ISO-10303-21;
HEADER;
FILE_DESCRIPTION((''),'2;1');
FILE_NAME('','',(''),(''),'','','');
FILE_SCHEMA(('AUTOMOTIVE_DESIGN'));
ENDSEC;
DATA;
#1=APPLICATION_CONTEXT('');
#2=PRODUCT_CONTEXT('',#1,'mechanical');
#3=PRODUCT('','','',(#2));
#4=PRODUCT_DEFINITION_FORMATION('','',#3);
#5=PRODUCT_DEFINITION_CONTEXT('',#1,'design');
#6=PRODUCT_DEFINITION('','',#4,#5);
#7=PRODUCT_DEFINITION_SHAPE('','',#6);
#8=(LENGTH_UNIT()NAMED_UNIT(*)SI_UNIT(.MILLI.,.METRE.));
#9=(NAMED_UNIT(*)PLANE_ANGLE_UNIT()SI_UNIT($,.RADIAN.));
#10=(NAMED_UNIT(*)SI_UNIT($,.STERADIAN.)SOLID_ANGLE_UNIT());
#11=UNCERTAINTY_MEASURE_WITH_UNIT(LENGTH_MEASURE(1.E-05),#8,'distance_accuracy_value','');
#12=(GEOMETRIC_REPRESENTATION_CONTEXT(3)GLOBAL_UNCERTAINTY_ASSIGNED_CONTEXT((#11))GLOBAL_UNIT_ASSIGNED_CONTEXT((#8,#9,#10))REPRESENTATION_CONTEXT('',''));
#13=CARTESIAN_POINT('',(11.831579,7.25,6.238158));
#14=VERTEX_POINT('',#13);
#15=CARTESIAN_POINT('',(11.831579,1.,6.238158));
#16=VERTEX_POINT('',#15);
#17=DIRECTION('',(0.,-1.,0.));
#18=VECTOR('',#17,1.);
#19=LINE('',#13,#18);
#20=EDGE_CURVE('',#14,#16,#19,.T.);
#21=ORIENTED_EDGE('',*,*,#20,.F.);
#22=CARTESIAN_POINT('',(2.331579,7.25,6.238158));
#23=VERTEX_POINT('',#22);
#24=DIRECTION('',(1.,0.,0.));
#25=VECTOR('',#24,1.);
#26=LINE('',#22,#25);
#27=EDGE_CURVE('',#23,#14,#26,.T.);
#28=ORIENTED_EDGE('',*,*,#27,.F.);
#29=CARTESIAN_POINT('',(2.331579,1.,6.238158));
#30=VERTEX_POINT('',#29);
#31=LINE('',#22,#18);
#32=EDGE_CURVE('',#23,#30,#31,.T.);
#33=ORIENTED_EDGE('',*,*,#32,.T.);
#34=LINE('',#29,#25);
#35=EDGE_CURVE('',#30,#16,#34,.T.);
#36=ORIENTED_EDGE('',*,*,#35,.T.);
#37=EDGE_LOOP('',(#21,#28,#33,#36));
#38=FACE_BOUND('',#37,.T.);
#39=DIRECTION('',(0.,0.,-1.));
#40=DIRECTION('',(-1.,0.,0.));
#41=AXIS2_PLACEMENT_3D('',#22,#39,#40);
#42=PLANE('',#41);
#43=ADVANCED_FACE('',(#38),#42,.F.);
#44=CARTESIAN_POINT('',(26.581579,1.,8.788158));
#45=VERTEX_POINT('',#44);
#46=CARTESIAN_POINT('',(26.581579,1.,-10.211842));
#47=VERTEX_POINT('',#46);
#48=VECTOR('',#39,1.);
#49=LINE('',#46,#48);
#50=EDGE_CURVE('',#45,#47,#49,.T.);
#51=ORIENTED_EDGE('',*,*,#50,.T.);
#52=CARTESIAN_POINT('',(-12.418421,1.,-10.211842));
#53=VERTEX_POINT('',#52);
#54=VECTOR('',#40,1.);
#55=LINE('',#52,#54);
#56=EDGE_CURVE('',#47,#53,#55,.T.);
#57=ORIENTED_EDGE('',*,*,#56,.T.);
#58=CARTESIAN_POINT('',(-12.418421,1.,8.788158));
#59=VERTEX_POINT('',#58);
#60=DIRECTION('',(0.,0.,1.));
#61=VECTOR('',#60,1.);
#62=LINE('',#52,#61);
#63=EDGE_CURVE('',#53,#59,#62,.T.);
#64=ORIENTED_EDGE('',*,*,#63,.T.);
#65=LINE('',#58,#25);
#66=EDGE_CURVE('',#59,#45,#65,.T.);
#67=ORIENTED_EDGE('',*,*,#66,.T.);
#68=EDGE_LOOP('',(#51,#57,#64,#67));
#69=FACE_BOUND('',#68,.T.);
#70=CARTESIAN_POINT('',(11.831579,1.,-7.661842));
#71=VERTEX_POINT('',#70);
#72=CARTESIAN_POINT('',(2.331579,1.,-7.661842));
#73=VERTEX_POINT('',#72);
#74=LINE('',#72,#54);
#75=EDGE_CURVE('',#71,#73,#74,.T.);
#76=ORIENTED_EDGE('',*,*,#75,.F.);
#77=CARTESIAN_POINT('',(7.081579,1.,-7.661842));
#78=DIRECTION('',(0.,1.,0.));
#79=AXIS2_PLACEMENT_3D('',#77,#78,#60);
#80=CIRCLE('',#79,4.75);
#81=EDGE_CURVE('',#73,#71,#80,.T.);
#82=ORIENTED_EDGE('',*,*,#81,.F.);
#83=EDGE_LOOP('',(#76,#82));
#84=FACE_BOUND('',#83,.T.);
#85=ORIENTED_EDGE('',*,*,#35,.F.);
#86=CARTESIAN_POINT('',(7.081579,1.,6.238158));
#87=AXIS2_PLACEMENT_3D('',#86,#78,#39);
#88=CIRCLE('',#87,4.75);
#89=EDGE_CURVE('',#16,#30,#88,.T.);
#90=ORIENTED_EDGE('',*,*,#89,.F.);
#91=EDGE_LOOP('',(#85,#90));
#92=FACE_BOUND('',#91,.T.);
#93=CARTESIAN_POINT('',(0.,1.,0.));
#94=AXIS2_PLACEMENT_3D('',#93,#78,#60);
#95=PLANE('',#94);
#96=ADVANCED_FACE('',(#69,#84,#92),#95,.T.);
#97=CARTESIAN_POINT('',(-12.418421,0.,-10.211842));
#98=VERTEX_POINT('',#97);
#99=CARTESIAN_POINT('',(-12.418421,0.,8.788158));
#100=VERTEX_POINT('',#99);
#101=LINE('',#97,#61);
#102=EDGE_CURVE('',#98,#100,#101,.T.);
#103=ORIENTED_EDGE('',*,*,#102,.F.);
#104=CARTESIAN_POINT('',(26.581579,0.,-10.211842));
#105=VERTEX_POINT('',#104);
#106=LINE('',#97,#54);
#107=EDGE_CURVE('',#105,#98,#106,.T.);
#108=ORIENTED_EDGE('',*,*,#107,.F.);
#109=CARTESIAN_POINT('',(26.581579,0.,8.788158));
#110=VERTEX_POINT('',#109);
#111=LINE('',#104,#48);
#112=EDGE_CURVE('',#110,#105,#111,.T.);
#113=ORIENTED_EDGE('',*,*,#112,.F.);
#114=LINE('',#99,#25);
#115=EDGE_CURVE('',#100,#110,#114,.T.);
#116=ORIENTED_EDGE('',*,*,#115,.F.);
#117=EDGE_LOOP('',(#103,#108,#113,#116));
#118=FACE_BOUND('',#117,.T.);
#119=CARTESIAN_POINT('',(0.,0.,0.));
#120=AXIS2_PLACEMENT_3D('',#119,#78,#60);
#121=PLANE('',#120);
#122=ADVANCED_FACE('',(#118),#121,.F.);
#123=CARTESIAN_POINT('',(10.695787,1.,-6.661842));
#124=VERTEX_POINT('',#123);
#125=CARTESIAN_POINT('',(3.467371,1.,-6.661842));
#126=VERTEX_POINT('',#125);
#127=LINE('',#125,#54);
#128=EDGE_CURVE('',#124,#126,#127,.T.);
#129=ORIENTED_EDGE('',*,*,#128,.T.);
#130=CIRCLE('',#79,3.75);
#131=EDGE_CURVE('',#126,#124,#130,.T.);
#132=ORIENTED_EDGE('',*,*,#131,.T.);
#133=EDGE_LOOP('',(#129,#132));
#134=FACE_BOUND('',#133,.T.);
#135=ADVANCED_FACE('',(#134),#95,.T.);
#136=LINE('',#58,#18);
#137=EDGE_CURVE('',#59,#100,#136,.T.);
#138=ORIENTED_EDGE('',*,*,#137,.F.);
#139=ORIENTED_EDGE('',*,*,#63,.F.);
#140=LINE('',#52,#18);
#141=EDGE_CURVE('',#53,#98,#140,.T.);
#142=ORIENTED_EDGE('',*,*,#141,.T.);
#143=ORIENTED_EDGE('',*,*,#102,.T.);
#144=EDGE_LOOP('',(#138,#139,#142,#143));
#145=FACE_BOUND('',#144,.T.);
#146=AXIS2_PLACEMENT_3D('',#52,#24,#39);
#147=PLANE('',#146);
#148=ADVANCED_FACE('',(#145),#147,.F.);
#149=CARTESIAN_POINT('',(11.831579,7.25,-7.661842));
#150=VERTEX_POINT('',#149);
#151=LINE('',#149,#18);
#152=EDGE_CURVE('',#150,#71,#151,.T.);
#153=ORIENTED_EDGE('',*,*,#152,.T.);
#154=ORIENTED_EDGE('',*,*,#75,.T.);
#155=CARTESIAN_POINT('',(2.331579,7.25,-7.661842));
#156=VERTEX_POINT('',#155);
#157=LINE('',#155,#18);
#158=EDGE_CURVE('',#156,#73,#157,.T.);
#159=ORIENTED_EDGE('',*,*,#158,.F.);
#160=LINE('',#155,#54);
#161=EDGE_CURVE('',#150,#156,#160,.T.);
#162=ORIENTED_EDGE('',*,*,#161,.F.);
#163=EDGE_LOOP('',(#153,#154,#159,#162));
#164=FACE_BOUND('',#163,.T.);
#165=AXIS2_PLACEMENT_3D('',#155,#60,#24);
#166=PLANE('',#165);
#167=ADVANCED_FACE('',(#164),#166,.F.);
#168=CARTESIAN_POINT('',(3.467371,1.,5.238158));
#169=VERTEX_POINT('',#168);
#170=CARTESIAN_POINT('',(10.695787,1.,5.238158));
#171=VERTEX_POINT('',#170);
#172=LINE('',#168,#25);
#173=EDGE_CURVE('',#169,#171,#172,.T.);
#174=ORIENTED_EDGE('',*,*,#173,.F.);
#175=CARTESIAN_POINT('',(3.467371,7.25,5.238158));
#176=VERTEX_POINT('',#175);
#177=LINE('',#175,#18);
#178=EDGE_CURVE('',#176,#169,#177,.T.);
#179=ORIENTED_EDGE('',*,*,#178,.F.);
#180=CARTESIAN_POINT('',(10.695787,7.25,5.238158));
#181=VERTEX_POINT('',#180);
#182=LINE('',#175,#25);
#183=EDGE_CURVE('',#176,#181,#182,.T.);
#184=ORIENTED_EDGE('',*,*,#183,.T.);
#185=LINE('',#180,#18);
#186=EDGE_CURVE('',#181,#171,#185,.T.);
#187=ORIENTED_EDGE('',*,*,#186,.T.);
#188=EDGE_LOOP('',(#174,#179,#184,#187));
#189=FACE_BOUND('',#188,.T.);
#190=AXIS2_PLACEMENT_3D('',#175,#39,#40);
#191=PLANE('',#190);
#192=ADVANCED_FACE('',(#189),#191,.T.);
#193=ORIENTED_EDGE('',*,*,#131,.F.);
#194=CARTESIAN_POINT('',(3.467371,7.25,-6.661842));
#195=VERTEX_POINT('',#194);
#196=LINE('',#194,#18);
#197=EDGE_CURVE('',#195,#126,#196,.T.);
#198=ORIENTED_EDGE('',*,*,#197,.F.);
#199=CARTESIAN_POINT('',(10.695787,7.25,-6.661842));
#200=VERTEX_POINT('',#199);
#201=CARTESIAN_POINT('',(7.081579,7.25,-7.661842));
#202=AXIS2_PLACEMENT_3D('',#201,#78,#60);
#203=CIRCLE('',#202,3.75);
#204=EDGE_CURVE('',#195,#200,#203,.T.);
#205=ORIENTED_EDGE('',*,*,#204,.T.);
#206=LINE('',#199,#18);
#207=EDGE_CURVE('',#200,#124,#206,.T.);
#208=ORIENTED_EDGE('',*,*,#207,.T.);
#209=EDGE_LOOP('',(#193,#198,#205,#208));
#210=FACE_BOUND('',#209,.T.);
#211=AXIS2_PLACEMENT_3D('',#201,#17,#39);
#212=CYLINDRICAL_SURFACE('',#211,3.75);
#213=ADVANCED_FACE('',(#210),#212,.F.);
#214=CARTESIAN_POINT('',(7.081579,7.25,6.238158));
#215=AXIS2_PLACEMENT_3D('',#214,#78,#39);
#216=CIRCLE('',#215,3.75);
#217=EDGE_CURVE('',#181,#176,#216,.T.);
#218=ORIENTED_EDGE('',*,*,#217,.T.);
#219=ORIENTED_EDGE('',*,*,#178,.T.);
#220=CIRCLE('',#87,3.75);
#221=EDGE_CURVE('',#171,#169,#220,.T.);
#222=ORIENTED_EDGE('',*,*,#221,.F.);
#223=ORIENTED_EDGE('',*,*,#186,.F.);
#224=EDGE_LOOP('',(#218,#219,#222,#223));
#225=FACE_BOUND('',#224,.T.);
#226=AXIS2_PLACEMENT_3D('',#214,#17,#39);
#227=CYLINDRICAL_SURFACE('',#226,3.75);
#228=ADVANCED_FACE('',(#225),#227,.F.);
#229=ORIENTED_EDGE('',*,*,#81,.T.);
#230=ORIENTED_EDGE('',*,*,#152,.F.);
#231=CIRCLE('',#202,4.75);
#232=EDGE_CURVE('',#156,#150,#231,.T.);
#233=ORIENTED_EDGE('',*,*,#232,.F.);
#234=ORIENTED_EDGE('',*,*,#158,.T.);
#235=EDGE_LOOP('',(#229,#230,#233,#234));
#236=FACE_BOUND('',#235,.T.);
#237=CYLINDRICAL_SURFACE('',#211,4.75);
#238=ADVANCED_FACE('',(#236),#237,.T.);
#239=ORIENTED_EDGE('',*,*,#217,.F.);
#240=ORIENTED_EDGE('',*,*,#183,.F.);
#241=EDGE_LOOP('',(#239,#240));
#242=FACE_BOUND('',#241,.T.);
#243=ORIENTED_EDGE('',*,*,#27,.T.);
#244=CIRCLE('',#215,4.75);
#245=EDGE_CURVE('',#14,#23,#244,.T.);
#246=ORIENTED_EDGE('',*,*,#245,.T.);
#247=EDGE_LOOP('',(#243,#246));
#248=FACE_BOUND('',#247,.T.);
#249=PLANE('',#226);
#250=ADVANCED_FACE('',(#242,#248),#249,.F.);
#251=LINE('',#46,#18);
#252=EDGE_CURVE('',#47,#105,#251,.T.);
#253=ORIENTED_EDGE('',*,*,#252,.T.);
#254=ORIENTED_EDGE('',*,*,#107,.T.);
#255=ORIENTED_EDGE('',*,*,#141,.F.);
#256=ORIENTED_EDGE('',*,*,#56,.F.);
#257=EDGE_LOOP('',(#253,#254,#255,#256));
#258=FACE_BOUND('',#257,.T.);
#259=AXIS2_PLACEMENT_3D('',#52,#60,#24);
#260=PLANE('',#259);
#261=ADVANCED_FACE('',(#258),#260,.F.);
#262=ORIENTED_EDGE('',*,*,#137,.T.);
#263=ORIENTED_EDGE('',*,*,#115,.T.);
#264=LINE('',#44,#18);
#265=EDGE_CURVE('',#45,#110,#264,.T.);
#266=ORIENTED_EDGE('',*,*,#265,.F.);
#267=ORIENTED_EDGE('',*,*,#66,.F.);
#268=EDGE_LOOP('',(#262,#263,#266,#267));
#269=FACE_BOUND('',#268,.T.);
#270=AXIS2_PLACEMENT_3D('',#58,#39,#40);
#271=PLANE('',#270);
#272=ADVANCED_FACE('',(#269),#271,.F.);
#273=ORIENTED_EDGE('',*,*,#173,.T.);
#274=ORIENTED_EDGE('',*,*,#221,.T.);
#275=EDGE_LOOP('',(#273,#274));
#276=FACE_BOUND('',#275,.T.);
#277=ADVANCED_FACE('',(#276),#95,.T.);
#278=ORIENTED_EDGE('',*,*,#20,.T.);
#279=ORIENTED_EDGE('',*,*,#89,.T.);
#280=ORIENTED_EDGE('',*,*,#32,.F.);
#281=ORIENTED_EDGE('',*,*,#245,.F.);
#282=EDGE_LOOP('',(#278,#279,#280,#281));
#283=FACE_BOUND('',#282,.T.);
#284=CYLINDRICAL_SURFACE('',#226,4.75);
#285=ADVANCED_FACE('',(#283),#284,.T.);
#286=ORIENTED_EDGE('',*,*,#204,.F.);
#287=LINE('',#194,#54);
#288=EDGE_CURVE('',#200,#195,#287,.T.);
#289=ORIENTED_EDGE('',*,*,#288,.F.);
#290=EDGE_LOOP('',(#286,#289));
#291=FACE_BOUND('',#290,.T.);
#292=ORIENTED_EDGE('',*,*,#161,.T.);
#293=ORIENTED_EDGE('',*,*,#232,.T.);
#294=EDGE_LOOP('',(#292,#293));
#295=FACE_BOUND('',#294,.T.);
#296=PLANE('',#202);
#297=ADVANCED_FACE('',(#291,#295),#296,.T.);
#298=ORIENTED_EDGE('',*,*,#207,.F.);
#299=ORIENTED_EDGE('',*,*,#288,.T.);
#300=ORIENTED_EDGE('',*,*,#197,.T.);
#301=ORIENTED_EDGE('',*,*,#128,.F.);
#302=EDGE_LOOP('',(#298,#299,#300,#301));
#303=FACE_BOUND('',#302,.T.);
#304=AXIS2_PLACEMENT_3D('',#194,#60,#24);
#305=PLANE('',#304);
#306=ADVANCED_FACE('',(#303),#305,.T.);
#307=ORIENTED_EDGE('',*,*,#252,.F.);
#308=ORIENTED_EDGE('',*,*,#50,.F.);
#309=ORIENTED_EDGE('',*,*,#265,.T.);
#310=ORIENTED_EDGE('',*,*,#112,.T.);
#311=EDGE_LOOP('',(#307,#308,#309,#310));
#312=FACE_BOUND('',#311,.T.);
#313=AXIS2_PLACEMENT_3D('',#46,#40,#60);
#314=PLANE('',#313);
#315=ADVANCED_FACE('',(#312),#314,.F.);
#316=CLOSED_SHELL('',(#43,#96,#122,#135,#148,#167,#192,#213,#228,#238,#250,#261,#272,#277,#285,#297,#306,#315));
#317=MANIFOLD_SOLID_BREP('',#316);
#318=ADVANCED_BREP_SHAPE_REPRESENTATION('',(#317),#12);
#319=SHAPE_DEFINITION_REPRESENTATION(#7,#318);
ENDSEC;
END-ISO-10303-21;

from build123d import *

# Parameters (mm, degrees)
SKETCH1_W           = 39
SKETCH1_H           = 19
BOSS_EXTRUDE1_DEPTH = 1
BOSS_EXTRUDE2_DEPTH = 6.25


with BuildPart() as part:
    # Sketch1 → Boss-Extrude1 (new body)
    with BuildSketch(Plane(origin=(0, 0, 0), x_dir=(1, 0, 0), z_dir=(0, 1, 0))):
        with Locations((7.081578947, 0.711842105)):
            Rectangle(SKETCH1_W, SKETCH1_H)
    extrude(amount=BOSS_EXTRUDE1_DEPTH)

    # Sketch2 → Boss-Extrude2 (add)
    # profile 1 of 2: a face of its own
    with BuildSketch(Plane(origin=(0, 1, 0), x_dir=(1, 0, 0), z_dir=(0, 1, 0))):
        with BuildLine():
            Line((2.331578947, 7.661842105), (11.831578947, 7.661842105))
            ThreePointArc((11.831578947, 7.661842105), (7.081578947, 2.911842105), (2.331578947, 7.661842105))
        make_face()
        with BuildLine():
            Line((3.467370874, 6.661842105), (10.695787021, 6.661842105))
            ThreePointArc((10.695787021, 6.661842105), (7.081578947, 3.911842105), (3.467370874, 6.661842105))
        make_face(mode=Mode.SUBTRACT)
    # profile 2 of 2: a face of its own
    with BuildSketch(Plane(origin=(0, 1, 0), x_dir=(1, 0, 0), z_dir=(0, 1, 0))):
        with BuildLine():
            Line((2.331578947, -6.238157895), (11.831578947, -6.238157895))
            ThreePointArc((11.831578947, -6.238157895), (7.081578947, -1.488157895), (2.331578947, -6.238157895))
        make_face()
        with BuildLine():
            Line((3.467370874, -5.238157895), (10.695787021, -5.238157895))
            ThreePointArc((10.695787021, -5.238157895), (7.081578947, -2.488157895), (3.467370874, -5.238157895))
        make_face(mode=Mode.SUBTRACT)
    extrude(amount=BOSS_EXTRUDE2_DEPTH)


solid = part.part
